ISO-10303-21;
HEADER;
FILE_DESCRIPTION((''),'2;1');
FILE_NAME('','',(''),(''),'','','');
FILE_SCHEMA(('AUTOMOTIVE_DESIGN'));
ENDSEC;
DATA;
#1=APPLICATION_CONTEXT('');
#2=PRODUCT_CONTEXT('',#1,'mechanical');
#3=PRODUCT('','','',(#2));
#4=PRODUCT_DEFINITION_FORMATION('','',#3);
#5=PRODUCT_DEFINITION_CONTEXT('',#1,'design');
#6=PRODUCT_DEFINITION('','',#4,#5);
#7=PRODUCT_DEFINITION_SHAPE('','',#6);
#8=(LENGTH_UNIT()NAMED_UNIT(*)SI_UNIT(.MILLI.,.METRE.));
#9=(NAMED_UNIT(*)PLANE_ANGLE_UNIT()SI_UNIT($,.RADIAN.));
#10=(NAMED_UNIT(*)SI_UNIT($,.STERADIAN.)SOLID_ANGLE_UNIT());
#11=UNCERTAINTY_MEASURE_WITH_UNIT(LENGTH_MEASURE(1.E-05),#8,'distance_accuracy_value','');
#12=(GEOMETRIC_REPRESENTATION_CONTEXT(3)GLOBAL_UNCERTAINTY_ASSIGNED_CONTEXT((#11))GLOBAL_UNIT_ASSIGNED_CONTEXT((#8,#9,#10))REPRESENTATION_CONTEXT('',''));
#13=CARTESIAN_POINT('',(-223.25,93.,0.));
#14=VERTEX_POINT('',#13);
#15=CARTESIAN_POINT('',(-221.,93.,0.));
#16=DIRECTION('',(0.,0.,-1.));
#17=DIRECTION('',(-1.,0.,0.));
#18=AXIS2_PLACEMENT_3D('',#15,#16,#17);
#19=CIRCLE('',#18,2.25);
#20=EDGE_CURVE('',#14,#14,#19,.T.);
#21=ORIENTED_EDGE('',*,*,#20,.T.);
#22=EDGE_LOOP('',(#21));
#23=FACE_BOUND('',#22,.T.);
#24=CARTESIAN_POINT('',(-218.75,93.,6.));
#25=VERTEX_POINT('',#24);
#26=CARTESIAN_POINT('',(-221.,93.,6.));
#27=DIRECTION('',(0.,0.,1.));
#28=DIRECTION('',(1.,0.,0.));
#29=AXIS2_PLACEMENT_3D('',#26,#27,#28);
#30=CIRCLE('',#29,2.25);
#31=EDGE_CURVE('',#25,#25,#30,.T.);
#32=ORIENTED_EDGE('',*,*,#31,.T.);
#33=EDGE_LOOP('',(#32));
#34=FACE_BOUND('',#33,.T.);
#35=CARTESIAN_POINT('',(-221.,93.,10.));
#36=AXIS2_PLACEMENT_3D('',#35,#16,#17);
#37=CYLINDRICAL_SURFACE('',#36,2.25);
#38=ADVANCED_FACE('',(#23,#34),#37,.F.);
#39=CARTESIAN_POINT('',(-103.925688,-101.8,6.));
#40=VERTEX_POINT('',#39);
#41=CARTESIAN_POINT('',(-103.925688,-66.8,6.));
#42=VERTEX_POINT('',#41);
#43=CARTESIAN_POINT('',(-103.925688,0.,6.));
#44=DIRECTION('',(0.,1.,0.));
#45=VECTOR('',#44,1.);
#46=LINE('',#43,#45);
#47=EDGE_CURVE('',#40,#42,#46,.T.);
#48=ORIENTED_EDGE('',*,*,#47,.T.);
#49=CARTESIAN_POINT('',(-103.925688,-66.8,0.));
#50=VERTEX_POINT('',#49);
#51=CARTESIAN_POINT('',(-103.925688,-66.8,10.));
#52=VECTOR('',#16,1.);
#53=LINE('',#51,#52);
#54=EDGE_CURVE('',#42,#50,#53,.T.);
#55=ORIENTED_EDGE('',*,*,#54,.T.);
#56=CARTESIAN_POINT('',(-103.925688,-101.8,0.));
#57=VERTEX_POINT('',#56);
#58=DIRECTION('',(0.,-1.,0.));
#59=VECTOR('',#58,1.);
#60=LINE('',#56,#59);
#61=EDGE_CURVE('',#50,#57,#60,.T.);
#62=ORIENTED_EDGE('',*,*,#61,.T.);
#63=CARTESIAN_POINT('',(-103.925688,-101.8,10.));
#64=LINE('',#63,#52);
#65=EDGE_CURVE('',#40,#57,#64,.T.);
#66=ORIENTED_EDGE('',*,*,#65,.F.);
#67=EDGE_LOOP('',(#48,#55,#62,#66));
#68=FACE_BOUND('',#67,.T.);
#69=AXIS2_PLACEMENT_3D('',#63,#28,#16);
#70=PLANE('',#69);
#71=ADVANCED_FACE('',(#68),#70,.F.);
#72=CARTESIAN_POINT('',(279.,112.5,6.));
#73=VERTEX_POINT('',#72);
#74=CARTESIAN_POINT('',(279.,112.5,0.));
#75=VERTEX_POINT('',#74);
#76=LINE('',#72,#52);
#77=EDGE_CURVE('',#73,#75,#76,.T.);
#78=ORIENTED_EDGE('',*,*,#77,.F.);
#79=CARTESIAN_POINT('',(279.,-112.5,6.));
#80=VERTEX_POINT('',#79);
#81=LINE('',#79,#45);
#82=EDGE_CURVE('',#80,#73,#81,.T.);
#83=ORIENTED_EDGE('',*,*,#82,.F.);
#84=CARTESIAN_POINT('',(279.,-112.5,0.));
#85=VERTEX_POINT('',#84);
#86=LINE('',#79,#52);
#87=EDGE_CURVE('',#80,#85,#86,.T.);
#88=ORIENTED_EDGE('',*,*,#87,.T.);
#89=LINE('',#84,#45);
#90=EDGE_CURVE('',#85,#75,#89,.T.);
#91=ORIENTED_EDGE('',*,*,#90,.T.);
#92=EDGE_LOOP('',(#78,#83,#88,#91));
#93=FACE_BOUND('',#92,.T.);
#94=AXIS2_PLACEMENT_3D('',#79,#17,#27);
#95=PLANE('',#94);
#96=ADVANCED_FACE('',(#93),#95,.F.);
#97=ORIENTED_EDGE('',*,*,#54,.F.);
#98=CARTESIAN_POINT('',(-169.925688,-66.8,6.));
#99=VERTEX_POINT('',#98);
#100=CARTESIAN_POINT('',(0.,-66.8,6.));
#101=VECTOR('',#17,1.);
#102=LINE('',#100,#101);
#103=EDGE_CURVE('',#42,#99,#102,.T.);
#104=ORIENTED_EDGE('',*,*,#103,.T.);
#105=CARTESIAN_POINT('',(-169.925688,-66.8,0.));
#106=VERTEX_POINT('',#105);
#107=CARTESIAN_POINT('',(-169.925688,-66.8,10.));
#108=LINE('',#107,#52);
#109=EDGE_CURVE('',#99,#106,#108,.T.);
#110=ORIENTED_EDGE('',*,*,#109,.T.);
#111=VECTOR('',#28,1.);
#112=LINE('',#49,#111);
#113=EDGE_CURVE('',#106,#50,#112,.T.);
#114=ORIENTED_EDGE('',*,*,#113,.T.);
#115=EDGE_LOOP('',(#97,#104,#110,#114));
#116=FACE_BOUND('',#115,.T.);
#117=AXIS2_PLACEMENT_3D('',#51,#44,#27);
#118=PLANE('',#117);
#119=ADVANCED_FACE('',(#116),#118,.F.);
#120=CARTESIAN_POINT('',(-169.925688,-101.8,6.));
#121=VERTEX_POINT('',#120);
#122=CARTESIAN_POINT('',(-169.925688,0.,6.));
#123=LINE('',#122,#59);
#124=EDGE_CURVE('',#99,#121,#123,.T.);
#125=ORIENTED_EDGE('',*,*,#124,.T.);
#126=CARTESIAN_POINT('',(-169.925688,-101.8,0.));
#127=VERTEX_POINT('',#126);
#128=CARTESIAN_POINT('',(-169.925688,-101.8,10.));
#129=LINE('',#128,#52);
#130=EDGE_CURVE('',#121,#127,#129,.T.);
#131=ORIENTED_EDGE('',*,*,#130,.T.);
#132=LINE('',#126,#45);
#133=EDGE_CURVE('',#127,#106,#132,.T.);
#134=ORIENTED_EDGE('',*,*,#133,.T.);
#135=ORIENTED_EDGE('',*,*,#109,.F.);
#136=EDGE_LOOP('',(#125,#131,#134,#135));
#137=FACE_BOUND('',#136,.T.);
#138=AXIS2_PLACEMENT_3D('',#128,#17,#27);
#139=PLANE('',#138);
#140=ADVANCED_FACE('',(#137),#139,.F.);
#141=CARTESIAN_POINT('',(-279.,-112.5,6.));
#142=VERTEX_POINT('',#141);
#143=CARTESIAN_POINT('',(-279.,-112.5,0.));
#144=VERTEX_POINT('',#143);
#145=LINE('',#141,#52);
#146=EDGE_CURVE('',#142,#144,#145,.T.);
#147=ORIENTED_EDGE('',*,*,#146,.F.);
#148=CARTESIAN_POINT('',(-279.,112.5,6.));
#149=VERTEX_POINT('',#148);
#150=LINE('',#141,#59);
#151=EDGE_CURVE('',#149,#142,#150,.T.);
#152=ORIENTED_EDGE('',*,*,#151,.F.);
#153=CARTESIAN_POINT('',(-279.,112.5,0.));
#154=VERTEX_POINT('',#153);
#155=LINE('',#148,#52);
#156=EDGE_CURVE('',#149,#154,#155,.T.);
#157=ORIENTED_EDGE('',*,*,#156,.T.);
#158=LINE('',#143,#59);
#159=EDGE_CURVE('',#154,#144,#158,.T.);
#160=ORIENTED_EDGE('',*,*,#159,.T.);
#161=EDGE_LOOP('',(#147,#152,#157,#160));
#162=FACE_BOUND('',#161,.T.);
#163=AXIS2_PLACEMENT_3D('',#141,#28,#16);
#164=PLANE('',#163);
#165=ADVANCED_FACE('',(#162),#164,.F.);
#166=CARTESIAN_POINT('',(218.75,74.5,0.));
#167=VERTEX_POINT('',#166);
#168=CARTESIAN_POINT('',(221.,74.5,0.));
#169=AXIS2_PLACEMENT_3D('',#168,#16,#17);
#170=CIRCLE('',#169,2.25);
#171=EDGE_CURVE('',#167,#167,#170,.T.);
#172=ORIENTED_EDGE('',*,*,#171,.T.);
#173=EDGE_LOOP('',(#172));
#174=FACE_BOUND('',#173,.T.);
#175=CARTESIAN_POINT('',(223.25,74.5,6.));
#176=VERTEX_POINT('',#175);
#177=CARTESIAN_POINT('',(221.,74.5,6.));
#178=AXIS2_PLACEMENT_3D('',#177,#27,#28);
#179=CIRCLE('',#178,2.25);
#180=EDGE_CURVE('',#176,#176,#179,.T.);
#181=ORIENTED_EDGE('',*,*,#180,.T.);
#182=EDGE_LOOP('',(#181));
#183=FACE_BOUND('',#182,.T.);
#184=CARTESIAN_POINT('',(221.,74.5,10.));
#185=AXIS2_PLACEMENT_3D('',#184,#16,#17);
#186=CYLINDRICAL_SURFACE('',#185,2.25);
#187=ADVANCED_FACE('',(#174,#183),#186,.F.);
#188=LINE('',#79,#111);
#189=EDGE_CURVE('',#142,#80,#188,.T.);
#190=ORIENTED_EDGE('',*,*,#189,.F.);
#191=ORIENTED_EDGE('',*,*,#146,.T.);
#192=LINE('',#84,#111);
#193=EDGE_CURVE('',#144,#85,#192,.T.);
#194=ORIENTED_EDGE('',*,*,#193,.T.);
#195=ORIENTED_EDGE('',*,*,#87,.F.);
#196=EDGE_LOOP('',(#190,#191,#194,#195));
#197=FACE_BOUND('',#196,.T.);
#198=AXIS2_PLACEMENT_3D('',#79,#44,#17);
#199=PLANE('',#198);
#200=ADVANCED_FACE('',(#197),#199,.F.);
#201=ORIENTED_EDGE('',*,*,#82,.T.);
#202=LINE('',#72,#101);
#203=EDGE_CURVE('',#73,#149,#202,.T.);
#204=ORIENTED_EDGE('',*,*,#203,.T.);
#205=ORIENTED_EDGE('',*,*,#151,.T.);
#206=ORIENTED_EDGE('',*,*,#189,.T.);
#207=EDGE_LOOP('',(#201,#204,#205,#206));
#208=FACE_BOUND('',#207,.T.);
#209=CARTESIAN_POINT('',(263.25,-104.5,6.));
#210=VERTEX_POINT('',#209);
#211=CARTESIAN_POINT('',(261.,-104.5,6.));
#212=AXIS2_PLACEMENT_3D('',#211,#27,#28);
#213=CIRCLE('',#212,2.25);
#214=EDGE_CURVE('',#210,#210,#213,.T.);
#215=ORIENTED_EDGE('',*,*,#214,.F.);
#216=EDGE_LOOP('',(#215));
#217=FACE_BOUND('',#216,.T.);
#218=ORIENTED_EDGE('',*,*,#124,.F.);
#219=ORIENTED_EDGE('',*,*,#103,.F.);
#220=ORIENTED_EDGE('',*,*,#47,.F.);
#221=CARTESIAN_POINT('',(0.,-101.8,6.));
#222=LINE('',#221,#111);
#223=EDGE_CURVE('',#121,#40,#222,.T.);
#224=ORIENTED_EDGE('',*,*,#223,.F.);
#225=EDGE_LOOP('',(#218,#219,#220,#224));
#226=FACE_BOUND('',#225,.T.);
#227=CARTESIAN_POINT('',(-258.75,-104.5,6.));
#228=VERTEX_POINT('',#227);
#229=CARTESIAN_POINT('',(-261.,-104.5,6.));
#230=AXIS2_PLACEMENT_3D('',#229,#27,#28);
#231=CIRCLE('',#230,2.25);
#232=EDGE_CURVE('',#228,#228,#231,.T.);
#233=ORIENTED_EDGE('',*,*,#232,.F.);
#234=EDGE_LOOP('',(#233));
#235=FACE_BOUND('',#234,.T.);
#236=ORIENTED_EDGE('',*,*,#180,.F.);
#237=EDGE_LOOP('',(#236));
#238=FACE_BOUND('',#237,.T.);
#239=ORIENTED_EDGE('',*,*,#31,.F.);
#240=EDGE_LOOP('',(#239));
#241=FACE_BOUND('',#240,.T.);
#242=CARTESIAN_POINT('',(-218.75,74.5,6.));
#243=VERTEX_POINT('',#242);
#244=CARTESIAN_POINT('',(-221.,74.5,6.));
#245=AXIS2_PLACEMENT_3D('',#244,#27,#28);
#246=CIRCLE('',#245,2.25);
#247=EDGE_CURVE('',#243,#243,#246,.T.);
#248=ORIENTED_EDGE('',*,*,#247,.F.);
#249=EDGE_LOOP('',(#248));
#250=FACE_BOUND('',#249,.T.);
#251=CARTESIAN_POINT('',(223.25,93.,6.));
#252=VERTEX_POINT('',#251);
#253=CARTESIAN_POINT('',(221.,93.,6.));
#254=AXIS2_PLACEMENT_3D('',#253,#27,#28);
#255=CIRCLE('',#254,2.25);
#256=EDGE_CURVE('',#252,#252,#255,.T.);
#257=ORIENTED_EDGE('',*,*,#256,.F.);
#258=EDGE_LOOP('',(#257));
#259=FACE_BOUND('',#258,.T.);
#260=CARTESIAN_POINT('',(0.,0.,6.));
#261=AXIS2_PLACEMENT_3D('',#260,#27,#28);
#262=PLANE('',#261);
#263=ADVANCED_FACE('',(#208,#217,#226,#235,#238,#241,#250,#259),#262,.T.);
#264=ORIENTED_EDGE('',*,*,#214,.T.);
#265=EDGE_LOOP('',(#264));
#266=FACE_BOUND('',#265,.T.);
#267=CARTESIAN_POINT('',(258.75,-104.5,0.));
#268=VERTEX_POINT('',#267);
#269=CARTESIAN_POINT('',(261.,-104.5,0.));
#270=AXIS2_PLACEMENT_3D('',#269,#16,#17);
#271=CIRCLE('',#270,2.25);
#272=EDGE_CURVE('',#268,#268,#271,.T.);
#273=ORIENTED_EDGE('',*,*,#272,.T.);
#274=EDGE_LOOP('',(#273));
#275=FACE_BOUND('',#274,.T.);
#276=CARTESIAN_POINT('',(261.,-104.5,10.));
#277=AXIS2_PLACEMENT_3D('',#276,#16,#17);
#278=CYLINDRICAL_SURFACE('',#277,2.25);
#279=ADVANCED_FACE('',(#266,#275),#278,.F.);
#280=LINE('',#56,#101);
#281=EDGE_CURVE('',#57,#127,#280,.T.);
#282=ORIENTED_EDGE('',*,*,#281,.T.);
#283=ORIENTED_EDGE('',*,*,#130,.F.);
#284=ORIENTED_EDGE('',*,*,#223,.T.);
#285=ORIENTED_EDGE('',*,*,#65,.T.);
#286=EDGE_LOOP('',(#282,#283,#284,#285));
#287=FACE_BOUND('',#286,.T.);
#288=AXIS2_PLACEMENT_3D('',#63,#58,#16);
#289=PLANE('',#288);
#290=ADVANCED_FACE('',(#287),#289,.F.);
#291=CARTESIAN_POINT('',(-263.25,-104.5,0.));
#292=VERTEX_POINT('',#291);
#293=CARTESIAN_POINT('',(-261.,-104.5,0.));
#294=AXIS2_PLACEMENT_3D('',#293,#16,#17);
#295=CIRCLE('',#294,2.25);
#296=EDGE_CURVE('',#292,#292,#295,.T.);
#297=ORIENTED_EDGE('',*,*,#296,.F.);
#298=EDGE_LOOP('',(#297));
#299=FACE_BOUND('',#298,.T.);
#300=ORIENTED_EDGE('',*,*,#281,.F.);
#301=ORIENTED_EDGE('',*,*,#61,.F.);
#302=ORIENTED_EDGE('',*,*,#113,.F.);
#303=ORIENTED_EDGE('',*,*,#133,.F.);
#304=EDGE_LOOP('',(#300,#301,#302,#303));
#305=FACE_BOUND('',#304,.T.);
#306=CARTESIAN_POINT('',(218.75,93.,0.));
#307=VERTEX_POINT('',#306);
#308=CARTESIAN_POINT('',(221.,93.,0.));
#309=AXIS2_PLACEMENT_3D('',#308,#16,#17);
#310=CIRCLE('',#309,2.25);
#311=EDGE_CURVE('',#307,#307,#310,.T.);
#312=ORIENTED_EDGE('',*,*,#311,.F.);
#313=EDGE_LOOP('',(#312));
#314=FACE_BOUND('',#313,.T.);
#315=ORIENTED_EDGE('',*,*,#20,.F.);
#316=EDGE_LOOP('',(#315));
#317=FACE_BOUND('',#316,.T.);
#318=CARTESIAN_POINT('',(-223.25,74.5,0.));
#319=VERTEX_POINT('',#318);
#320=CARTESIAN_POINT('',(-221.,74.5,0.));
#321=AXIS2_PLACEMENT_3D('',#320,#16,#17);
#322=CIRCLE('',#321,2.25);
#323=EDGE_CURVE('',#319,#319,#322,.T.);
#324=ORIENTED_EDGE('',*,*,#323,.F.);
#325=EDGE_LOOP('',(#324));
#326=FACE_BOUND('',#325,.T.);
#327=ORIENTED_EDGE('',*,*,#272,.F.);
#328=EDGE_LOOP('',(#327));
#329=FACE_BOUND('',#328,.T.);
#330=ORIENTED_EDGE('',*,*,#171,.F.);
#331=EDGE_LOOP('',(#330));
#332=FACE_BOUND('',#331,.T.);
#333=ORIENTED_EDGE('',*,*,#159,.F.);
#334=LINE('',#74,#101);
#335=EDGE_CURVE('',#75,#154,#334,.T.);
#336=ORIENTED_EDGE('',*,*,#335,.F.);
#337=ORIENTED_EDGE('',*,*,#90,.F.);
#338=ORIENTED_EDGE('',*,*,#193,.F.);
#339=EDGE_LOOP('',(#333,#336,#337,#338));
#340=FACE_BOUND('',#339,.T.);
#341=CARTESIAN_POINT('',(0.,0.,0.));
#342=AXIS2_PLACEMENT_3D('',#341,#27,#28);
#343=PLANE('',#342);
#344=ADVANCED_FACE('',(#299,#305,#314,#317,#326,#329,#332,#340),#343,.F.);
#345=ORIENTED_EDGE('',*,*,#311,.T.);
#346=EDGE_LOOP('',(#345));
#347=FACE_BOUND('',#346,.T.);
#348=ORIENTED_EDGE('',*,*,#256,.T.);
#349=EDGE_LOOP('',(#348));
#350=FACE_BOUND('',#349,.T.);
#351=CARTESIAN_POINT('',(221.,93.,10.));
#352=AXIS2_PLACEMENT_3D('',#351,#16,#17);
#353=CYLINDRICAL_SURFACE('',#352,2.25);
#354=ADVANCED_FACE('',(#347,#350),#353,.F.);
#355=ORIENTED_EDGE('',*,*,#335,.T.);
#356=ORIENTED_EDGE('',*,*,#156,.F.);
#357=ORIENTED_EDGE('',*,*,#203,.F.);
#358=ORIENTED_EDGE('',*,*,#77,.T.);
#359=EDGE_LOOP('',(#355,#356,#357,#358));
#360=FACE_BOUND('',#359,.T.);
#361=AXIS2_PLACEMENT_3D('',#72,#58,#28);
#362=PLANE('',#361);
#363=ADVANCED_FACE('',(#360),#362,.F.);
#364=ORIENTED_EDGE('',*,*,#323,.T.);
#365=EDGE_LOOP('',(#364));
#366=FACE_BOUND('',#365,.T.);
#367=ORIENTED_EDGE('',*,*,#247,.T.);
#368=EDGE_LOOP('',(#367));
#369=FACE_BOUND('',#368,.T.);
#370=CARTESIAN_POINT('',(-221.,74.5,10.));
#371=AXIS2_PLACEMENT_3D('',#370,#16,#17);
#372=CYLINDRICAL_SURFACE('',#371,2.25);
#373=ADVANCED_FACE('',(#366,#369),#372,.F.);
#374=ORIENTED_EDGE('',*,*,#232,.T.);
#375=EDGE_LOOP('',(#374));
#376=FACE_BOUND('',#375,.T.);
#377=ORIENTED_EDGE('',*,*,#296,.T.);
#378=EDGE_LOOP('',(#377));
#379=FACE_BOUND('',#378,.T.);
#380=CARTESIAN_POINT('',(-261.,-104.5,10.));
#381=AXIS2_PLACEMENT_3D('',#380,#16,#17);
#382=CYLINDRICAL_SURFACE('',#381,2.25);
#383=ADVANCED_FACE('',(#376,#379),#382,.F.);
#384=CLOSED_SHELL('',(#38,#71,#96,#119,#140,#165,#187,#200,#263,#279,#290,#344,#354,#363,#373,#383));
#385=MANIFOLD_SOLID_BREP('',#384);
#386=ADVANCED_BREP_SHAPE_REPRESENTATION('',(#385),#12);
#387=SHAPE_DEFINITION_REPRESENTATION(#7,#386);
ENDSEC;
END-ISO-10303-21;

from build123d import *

# Parameters (mm, degrees)
SCHIZZO1_W                   = 558
SCHIZZO1_H                   = 225
ESTRUSIONE_ESTRUSIONE1_DEPTH = 6
SCHIZZO2_R                   = 2.25
SCHIZZO2_W                   = 66
SCHIZZO2_H                   = 35
TAGLIO_ESTRUSIONE1_DEPTH     = 10


with BuildPart() as part:
    # Schizzo1 → Estrusione-Estrusione1 (new body)
    with BuildSketch(Plane.XY):
        Rectangle(SCHIZZO1_W, SCHIZZO1_H)
    extrude(amount=ESTRUSIONE_ESTRUSIONE1_DEPTH)

    # Schizzo2 → Taglio-Estrusione1 (cut)
    with BuildSketch(Plane(origin=(0, 0, 0), x_dir=(-1, 0, 0), z_dir=(0, 0, -1))):
        with Locations((-221, 93)):
            Circle(SCHIZZO2_R)
        with Locations((-221, 74.5)):
            Circle(SCHIZZO2_R)
        with Locations((221, 93)):
            Circle(SCHIZZO2_R)
        with Locations((221, 74.5)):
            Circle(SCHIZZO2_R)
        with Locations((-261, -104.5)):
            Circle(SCHIZZO2_R)
        with Locations((261, -104.5)):
            Circle(SCHIZZO2_R)
        with Locations((136.925688, -84.3)):
            Rectangle(SCHIZZO2_W, SCHIZZO2_H)
    extrude(amount=-TAGLIO_ESTRUSIONE1_DEPTH, mode=Mode.SUBTRACT)


solid = part.part
